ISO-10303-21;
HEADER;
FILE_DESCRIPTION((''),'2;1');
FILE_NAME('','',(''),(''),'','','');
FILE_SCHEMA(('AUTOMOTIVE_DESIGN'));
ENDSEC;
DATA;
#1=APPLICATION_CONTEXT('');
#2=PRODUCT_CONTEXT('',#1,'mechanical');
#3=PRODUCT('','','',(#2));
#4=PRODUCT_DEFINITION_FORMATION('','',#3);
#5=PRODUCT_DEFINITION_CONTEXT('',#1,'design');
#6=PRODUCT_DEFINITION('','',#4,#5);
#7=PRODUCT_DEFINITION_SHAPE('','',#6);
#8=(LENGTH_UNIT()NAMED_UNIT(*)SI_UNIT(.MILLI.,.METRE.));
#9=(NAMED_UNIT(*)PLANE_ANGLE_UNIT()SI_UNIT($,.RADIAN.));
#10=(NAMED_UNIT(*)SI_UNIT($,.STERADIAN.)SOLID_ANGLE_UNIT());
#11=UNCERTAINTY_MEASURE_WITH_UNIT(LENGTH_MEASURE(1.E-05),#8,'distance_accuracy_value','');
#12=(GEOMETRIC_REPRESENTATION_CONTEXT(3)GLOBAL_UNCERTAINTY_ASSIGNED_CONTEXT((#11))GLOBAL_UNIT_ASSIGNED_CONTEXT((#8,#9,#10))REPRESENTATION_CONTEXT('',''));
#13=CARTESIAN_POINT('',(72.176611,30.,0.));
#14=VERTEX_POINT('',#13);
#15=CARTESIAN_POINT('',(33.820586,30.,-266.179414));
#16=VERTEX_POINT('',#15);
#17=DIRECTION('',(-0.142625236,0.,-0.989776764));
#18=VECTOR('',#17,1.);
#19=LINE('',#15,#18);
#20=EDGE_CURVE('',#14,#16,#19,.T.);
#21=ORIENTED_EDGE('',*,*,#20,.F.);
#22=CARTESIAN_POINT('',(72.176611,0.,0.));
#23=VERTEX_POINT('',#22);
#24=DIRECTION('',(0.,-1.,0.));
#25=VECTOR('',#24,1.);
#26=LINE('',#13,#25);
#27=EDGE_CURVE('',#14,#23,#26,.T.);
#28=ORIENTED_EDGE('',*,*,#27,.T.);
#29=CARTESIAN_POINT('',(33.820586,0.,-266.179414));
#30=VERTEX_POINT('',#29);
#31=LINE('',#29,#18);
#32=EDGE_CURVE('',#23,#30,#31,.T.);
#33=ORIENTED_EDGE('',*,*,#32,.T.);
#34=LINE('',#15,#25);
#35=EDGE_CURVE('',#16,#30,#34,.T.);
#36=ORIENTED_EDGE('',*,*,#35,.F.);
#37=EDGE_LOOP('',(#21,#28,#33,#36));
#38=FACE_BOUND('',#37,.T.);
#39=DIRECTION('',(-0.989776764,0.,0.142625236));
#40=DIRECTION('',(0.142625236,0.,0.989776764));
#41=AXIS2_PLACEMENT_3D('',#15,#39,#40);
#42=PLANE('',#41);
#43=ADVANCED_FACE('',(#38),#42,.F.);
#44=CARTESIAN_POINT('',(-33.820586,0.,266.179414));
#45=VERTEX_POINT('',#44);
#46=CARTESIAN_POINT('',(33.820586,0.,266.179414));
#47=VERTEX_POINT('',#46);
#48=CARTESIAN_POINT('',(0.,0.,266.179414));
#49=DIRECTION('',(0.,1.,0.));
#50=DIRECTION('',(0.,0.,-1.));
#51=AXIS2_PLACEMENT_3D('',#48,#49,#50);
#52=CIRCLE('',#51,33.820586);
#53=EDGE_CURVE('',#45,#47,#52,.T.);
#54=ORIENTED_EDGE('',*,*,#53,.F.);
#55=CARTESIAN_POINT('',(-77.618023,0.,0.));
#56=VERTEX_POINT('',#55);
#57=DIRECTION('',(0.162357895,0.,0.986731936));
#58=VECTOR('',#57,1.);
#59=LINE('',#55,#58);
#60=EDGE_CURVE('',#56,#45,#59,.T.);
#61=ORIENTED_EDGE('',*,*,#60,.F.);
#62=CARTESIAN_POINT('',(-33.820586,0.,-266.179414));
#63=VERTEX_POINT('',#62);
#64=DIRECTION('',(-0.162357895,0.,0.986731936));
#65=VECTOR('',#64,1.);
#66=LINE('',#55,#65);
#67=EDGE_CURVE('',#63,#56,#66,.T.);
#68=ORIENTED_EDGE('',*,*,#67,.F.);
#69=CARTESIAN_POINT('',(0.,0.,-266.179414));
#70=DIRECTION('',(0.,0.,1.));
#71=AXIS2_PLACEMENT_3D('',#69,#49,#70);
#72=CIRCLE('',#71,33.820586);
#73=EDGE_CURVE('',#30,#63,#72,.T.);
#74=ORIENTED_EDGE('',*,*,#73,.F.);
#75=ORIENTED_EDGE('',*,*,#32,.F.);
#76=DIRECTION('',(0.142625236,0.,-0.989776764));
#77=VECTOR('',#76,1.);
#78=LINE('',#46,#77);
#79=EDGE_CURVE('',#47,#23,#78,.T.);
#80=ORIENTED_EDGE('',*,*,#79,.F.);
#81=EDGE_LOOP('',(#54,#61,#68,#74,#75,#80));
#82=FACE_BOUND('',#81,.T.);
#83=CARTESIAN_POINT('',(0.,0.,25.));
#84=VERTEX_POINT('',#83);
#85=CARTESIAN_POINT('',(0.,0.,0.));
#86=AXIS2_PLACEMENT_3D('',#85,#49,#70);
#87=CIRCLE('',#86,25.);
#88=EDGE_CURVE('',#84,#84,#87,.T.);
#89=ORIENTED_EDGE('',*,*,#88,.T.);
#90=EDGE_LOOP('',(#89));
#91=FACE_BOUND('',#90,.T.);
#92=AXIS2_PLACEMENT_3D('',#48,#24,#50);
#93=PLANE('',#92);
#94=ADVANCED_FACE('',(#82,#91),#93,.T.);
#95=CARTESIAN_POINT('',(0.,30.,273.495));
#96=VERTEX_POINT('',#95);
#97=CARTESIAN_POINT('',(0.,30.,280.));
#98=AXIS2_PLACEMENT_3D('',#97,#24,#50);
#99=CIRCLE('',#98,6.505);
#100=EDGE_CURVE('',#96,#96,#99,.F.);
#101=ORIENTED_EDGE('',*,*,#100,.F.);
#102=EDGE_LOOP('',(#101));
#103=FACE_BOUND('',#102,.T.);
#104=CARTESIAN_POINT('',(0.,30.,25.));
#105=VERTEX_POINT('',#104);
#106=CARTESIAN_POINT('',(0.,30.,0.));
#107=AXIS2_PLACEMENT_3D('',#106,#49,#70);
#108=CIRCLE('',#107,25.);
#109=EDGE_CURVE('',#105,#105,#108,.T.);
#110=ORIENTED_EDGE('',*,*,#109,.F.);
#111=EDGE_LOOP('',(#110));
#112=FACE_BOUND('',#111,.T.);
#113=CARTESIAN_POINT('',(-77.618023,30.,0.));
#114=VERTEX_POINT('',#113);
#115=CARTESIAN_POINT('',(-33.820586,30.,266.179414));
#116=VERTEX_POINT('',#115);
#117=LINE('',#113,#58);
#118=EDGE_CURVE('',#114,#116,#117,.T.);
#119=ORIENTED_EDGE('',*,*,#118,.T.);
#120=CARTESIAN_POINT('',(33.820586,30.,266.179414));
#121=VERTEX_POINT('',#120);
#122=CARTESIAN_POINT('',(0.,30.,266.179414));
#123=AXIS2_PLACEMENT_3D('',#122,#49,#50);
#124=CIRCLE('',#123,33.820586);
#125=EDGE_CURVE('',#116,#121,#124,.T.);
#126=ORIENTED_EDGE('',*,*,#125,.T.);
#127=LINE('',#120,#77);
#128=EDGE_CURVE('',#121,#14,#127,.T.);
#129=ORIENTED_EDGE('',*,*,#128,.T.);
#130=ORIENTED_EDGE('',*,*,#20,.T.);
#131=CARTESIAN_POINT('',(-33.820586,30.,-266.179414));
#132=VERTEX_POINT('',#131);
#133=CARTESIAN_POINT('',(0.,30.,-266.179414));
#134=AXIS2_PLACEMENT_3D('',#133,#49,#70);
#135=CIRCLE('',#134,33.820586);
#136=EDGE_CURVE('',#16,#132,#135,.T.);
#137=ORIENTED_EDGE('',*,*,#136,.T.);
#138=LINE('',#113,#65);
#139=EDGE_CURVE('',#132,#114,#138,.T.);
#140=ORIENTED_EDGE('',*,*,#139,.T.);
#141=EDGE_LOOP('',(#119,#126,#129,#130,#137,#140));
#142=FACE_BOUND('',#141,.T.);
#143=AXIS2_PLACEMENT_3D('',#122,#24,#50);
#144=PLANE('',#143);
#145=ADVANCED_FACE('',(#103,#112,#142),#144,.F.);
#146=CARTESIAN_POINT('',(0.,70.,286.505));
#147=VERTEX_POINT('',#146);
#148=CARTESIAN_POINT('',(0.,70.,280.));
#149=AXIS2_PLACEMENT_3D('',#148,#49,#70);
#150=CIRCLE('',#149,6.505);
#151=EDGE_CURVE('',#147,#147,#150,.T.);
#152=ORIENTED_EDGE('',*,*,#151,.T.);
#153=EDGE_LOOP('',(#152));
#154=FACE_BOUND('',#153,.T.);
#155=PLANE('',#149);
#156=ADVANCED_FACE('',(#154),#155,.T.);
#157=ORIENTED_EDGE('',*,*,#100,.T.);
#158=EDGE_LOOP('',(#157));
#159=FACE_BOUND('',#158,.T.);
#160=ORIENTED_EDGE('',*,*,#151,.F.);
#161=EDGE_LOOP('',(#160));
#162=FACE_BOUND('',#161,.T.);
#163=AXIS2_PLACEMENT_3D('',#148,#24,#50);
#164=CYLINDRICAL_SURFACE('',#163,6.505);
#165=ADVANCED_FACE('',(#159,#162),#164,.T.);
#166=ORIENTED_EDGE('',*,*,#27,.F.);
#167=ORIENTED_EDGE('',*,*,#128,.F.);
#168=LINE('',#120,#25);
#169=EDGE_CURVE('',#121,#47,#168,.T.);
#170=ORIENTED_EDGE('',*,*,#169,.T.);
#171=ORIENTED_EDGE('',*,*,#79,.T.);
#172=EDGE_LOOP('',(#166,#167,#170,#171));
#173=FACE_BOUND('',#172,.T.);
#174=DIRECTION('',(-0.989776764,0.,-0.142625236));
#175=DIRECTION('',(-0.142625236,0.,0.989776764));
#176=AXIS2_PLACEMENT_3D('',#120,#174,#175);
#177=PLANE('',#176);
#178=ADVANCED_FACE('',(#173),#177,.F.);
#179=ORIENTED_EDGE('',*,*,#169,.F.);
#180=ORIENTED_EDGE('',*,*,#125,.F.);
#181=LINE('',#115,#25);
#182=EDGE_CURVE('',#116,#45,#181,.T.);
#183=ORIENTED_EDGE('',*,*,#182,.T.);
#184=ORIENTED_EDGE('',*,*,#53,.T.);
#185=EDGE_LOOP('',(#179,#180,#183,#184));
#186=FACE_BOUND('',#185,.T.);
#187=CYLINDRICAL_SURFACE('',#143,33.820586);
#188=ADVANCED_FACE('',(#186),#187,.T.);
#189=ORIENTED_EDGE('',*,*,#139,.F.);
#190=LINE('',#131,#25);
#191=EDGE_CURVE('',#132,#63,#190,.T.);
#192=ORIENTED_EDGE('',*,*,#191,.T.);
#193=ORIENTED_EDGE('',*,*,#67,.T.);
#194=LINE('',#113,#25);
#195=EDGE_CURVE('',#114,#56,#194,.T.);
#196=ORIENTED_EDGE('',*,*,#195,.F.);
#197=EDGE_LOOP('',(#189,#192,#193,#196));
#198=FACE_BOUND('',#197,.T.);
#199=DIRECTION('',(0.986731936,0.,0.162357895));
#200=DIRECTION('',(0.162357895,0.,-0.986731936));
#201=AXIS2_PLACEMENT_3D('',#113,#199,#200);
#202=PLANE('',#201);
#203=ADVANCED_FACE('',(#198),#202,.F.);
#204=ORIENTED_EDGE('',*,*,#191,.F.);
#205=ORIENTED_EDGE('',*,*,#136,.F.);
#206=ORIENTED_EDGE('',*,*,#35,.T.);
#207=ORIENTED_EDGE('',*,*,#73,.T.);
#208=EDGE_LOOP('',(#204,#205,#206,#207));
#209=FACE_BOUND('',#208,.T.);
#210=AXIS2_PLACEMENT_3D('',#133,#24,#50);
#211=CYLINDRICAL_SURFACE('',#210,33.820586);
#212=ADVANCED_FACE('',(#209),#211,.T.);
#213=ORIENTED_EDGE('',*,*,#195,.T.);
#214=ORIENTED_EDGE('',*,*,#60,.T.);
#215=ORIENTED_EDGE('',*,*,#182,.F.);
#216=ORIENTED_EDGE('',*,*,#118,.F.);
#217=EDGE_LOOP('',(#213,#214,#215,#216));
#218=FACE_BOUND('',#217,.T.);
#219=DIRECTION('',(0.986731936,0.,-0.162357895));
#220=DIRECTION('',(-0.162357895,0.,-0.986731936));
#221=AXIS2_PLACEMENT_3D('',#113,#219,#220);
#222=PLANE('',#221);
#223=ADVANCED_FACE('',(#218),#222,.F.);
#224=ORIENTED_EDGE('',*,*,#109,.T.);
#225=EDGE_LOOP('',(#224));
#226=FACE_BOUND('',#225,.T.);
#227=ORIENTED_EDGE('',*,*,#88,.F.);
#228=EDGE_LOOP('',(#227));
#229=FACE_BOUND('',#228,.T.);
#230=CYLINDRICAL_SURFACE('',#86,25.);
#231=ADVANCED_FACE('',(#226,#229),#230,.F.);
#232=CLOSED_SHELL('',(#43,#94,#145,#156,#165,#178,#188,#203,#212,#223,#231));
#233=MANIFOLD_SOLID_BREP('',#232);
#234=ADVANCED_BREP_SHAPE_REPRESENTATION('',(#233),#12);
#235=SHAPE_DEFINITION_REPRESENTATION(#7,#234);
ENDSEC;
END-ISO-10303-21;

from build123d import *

# Parameters (mm, degrees)
BOSS_EXTRUDE1_DEPTH = 30
SKETCH2_R           = 25
CUT_EXTRUDE1_DEPTH  = 30
SKETCH3_R           = 6.505
BOSS_EXTRUDE2_DEPTH = 40


with BuildPart() as part:
    # Sketch1 → Boss-Extrude1 (new body)
    with BuildSketch(Plane(origin=(0, 0, 0), x_dir=(1, 0, 0), z_dir=(0, 1, 0))):
        with BuildLine():
            Line((-77.61802258, 0), (-33.820586084, 266.179413916))
            ThreePointArc((-33.820586084, 266.179413916), (0, 300), (33.820586084, 266.179413916))
            Line((33.820586084, 266.179413916), (72.176610565, 0))
            Line((72.176610565, 0), (33.820586084, -266.179413916))
            ThreePointArc((33.820586084, -266.179413916), (0, -300), (-33.820586084, -266.179413916))
            Line((-33.820586084, -266.179413916), (-77.61802258, 0))
        make_face()
    extrude(amount=BOSS_EXTRUDE1_DEPTH)

    # Sketch2 → Cut-Extrude1 (cut)
    with BuildSketch(Plane(origin=(0, 30, 0), x_dir=(1, 0, 0), z_dir=(0, 1, 0))):
        Circle(SKETCH2_R)
    extrude(amount=-CUT_EXTRUDE1_DEPTH, mode=Mode.SUBTRACT)

    # Sketch3 → Boss-Extrude2 (add)
    with BuildSketch(Plane(origin=(0, 30, 0), x_dir=(1, 0, 0), z_dir=(0, 1, 0))):
        with Locations((0, -280)):
            Circle(SKETCH3_R)
    extrude(amount=BOSS_EXTRUDE2_DEPTH)


solid = part.part
